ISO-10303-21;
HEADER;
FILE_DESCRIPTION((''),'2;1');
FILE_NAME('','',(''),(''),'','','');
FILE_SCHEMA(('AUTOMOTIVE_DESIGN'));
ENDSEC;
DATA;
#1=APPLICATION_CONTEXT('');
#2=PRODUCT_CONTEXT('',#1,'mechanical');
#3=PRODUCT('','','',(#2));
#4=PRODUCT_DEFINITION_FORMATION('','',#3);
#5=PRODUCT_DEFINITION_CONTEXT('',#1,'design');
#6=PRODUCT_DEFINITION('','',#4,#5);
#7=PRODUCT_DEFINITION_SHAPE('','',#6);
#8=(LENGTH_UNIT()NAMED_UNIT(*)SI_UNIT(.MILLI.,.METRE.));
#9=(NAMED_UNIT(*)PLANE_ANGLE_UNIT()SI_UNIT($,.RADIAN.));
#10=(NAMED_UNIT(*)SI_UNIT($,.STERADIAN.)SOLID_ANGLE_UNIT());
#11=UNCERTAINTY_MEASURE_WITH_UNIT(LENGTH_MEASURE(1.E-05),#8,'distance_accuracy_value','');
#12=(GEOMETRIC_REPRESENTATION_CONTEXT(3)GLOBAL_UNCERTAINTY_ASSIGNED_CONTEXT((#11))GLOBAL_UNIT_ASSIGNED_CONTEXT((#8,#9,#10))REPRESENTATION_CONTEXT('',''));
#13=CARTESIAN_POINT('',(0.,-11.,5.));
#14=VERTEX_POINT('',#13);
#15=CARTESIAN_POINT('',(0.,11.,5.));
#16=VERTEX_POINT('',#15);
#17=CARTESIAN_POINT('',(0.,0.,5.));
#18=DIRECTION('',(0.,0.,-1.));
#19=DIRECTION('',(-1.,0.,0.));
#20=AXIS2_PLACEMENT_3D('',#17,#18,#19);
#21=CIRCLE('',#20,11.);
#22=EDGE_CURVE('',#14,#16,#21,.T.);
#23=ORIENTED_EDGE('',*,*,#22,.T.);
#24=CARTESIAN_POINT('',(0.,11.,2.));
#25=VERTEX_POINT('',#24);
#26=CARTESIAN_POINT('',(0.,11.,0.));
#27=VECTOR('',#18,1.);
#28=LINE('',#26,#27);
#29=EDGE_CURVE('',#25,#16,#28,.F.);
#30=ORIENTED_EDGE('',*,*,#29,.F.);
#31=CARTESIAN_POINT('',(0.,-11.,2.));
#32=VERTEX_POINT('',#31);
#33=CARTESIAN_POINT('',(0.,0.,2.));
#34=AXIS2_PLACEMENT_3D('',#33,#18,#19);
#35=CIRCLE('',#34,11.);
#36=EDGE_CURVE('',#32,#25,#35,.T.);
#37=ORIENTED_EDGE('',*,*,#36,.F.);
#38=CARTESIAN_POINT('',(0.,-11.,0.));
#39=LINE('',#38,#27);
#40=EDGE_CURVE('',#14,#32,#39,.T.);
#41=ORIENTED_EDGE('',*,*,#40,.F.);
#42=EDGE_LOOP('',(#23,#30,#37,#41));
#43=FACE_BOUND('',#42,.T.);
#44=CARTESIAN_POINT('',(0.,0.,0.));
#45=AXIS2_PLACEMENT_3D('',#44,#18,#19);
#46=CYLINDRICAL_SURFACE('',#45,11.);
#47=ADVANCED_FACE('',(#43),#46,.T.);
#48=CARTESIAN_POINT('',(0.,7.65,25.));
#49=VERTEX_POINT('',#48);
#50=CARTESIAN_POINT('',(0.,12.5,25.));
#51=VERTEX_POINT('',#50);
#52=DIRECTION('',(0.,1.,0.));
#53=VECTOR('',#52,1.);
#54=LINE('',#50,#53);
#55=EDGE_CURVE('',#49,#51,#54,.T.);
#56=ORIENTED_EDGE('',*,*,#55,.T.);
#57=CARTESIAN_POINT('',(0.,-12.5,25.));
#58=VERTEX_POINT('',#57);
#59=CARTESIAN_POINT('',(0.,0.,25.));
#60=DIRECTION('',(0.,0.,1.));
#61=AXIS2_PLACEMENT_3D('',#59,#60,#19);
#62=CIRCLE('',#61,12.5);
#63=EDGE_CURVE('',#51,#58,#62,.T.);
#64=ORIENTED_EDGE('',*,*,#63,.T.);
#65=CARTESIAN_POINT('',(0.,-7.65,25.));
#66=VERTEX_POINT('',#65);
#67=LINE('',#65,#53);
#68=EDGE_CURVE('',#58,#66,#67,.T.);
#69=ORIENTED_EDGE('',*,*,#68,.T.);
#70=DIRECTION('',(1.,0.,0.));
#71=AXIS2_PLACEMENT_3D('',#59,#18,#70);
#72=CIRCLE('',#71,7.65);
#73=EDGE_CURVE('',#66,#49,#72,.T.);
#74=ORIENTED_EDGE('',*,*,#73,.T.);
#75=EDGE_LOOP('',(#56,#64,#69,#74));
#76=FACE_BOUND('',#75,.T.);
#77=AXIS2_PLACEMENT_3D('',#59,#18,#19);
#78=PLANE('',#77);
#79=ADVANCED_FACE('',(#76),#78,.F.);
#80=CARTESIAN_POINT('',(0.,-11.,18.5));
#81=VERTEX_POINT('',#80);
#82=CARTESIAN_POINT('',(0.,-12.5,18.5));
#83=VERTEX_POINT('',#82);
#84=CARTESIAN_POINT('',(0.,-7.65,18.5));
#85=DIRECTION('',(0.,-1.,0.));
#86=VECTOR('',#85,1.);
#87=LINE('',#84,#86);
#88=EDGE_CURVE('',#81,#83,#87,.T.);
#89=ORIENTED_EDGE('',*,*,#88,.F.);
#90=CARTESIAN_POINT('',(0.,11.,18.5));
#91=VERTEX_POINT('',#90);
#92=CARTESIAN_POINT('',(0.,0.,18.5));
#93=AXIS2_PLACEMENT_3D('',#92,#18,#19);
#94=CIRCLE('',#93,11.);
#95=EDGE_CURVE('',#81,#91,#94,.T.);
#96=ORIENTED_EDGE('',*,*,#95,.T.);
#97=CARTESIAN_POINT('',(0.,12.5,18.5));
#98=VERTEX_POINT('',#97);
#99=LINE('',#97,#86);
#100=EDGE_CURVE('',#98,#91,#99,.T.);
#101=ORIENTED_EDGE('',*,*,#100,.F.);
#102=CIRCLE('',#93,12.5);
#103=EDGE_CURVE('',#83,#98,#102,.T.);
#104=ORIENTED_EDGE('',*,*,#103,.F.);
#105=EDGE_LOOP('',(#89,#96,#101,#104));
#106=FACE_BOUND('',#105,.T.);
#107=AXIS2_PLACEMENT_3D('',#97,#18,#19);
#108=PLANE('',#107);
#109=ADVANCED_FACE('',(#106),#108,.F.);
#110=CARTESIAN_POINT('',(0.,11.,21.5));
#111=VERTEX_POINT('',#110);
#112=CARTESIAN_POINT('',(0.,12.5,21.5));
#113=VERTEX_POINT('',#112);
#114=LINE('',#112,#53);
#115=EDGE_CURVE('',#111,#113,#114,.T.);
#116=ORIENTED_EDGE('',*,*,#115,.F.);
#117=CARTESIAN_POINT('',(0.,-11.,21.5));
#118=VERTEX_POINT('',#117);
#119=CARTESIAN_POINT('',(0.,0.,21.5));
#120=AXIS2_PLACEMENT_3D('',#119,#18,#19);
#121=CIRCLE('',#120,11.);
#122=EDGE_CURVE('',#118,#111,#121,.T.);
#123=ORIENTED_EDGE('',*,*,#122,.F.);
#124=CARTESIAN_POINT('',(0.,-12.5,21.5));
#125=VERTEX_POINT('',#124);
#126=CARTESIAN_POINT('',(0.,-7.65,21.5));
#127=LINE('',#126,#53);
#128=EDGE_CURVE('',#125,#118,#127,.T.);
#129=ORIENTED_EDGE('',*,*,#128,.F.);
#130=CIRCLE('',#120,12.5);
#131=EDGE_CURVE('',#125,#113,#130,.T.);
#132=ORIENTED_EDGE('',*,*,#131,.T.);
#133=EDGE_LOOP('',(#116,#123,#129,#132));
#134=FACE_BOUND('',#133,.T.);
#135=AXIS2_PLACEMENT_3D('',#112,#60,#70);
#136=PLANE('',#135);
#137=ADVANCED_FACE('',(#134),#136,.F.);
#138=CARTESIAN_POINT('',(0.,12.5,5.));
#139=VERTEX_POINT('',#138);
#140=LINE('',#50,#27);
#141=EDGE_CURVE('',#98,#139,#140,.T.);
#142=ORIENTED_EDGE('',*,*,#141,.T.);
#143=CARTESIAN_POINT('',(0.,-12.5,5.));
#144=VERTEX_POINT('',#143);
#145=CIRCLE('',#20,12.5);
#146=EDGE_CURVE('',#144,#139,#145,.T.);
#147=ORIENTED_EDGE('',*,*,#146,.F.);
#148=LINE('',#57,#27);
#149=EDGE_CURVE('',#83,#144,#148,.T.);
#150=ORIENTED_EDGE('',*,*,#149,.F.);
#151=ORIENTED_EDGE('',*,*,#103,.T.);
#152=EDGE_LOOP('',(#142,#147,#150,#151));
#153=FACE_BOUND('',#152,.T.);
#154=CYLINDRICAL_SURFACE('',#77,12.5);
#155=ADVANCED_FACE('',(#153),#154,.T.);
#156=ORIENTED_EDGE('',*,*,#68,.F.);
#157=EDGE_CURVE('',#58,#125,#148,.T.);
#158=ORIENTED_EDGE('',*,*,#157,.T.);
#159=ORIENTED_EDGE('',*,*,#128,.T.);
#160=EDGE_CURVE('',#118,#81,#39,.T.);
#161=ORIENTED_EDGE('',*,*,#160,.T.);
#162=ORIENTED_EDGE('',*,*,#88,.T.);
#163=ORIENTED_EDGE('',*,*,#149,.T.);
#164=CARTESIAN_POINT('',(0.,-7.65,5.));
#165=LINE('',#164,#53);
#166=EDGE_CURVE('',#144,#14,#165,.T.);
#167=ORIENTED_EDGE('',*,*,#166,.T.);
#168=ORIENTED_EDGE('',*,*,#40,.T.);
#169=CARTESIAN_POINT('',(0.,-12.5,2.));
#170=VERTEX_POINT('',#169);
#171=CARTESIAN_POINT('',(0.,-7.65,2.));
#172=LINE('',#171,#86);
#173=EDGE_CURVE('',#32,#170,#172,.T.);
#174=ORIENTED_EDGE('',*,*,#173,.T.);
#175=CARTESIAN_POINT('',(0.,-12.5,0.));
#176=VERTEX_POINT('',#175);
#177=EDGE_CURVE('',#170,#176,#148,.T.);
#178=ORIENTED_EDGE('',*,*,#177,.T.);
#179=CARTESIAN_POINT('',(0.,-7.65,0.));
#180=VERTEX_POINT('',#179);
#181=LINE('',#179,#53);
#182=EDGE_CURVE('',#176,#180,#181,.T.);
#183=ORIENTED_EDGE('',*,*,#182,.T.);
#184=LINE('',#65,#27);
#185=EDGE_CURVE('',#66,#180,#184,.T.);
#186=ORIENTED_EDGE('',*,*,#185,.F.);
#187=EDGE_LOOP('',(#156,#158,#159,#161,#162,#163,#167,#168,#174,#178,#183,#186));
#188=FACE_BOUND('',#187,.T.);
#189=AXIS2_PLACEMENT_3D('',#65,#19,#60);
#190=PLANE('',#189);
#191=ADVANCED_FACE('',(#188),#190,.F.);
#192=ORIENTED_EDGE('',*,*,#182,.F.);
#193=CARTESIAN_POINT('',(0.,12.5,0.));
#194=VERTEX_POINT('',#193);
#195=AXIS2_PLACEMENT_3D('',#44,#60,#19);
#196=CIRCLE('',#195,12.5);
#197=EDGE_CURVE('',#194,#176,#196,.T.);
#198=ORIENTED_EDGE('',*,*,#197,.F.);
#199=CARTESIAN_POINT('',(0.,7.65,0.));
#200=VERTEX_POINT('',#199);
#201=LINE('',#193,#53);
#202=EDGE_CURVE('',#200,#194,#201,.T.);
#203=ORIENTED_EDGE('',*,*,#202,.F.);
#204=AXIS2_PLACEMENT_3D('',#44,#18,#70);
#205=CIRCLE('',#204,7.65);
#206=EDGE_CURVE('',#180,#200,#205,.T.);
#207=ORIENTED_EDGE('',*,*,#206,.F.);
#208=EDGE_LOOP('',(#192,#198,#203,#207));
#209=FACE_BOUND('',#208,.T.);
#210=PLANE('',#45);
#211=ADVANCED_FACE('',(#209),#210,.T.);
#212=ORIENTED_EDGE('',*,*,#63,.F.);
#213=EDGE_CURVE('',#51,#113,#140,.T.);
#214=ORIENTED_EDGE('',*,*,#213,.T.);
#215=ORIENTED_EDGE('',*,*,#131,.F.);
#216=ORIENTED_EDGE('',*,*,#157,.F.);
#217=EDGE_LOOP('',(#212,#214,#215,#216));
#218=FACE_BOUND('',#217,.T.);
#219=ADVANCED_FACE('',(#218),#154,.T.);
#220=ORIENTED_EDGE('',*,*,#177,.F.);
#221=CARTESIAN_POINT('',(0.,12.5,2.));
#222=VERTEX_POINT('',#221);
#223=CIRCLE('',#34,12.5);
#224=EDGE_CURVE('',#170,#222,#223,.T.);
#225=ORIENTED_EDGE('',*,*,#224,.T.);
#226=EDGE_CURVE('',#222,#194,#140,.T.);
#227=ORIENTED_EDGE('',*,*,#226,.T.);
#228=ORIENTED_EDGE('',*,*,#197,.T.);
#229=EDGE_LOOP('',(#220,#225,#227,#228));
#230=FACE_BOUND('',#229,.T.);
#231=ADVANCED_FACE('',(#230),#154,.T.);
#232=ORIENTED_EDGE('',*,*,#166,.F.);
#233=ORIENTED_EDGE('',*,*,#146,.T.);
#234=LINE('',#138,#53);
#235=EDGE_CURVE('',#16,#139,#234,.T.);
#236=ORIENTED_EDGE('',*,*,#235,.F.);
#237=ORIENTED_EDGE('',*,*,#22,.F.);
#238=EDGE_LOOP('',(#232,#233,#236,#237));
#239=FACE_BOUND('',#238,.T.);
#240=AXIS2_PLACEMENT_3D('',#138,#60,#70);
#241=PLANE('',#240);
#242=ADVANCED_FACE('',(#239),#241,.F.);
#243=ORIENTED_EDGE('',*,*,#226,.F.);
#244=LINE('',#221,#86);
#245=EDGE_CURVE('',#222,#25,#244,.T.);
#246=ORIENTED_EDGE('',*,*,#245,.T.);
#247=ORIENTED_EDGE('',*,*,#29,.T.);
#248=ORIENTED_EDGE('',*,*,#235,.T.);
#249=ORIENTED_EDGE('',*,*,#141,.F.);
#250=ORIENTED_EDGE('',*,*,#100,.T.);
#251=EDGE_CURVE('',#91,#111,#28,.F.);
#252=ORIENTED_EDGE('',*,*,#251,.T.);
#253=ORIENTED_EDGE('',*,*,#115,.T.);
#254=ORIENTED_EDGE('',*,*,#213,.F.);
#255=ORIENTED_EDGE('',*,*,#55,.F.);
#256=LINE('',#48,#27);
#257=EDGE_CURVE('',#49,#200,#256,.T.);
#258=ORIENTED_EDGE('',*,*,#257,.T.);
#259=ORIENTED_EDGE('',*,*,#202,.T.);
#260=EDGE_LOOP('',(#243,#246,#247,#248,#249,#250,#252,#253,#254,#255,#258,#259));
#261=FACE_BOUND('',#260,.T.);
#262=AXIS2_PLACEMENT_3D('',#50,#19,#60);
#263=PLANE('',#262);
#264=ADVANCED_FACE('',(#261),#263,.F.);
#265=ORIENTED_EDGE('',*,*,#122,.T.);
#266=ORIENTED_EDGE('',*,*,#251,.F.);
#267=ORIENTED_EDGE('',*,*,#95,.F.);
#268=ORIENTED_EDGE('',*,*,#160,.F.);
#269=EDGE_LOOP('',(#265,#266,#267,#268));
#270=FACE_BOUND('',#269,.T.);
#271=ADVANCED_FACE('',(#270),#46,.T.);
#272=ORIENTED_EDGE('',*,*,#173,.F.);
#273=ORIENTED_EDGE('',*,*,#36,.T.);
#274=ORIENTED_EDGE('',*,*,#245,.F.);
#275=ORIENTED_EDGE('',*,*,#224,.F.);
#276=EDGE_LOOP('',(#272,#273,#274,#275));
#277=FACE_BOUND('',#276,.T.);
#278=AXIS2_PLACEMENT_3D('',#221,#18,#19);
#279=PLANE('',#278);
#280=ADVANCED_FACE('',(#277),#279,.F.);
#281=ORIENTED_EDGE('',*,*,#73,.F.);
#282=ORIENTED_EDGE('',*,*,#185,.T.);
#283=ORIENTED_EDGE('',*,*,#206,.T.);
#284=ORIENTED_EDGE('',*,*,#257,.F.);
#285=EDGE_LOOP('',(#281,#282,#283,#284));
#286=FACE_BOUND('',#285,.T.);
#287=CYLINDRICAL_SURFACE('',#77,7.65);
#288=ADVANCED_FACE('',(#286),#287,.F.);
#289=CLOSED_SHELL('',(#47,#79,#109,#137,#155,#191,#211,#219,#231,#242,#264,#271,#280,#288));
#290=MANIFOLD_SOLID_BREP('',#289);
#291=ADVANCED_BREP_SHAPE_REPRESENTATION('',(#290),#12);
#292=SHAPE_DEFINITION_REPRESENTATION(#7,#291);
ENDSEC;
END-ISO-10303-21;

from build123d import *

# Parameters (mm, degrees)
Y_KSEKLIK_EKSTR_ZYON1_DEPTH = 25
IZIM2_W                     = 3
IZIM2_H                     = 1.5


with BuildPart() as part:
    # Çizim1 → Yükseklik-Ekstrüzyon1 (new body)
    with BuildSketch(Plane.XY):
        with BuildLine():
            Line((0, 12.5), (0, 7.65))
            ThreePointArc((0, 7.65), (-7.65, 0), (0, -7.65))
            Line((0, -7.65), (0, -12.5))
            ThreePointArc((0, -12.5), (-12.5, 0), (0, 12.5))
        make_face()
    extrude(amount=Y_KSEKLIK_EKSTR_ZYON1_DEPTH)

    # Çizim2 → Kes-Döndür1 (revolve, cut)
    with BuildSketch(Plane(origin=(0, 0, 0), x_dir=(0, 0, -1), z_dir=(1, 0, 0))):
        with Locations((-20, 11.75)):
            Rectangle(IZIM2_W, IZIM2_H)
        with Locations((-3.5, 11.75)):
            Rectangle(IZIM2_W, IZIM2_H)
    revolve(axis=Axis((0, 0, 0), (0, 0, 1)), mode=Mode.SUBTRACT)


solid = part.part
